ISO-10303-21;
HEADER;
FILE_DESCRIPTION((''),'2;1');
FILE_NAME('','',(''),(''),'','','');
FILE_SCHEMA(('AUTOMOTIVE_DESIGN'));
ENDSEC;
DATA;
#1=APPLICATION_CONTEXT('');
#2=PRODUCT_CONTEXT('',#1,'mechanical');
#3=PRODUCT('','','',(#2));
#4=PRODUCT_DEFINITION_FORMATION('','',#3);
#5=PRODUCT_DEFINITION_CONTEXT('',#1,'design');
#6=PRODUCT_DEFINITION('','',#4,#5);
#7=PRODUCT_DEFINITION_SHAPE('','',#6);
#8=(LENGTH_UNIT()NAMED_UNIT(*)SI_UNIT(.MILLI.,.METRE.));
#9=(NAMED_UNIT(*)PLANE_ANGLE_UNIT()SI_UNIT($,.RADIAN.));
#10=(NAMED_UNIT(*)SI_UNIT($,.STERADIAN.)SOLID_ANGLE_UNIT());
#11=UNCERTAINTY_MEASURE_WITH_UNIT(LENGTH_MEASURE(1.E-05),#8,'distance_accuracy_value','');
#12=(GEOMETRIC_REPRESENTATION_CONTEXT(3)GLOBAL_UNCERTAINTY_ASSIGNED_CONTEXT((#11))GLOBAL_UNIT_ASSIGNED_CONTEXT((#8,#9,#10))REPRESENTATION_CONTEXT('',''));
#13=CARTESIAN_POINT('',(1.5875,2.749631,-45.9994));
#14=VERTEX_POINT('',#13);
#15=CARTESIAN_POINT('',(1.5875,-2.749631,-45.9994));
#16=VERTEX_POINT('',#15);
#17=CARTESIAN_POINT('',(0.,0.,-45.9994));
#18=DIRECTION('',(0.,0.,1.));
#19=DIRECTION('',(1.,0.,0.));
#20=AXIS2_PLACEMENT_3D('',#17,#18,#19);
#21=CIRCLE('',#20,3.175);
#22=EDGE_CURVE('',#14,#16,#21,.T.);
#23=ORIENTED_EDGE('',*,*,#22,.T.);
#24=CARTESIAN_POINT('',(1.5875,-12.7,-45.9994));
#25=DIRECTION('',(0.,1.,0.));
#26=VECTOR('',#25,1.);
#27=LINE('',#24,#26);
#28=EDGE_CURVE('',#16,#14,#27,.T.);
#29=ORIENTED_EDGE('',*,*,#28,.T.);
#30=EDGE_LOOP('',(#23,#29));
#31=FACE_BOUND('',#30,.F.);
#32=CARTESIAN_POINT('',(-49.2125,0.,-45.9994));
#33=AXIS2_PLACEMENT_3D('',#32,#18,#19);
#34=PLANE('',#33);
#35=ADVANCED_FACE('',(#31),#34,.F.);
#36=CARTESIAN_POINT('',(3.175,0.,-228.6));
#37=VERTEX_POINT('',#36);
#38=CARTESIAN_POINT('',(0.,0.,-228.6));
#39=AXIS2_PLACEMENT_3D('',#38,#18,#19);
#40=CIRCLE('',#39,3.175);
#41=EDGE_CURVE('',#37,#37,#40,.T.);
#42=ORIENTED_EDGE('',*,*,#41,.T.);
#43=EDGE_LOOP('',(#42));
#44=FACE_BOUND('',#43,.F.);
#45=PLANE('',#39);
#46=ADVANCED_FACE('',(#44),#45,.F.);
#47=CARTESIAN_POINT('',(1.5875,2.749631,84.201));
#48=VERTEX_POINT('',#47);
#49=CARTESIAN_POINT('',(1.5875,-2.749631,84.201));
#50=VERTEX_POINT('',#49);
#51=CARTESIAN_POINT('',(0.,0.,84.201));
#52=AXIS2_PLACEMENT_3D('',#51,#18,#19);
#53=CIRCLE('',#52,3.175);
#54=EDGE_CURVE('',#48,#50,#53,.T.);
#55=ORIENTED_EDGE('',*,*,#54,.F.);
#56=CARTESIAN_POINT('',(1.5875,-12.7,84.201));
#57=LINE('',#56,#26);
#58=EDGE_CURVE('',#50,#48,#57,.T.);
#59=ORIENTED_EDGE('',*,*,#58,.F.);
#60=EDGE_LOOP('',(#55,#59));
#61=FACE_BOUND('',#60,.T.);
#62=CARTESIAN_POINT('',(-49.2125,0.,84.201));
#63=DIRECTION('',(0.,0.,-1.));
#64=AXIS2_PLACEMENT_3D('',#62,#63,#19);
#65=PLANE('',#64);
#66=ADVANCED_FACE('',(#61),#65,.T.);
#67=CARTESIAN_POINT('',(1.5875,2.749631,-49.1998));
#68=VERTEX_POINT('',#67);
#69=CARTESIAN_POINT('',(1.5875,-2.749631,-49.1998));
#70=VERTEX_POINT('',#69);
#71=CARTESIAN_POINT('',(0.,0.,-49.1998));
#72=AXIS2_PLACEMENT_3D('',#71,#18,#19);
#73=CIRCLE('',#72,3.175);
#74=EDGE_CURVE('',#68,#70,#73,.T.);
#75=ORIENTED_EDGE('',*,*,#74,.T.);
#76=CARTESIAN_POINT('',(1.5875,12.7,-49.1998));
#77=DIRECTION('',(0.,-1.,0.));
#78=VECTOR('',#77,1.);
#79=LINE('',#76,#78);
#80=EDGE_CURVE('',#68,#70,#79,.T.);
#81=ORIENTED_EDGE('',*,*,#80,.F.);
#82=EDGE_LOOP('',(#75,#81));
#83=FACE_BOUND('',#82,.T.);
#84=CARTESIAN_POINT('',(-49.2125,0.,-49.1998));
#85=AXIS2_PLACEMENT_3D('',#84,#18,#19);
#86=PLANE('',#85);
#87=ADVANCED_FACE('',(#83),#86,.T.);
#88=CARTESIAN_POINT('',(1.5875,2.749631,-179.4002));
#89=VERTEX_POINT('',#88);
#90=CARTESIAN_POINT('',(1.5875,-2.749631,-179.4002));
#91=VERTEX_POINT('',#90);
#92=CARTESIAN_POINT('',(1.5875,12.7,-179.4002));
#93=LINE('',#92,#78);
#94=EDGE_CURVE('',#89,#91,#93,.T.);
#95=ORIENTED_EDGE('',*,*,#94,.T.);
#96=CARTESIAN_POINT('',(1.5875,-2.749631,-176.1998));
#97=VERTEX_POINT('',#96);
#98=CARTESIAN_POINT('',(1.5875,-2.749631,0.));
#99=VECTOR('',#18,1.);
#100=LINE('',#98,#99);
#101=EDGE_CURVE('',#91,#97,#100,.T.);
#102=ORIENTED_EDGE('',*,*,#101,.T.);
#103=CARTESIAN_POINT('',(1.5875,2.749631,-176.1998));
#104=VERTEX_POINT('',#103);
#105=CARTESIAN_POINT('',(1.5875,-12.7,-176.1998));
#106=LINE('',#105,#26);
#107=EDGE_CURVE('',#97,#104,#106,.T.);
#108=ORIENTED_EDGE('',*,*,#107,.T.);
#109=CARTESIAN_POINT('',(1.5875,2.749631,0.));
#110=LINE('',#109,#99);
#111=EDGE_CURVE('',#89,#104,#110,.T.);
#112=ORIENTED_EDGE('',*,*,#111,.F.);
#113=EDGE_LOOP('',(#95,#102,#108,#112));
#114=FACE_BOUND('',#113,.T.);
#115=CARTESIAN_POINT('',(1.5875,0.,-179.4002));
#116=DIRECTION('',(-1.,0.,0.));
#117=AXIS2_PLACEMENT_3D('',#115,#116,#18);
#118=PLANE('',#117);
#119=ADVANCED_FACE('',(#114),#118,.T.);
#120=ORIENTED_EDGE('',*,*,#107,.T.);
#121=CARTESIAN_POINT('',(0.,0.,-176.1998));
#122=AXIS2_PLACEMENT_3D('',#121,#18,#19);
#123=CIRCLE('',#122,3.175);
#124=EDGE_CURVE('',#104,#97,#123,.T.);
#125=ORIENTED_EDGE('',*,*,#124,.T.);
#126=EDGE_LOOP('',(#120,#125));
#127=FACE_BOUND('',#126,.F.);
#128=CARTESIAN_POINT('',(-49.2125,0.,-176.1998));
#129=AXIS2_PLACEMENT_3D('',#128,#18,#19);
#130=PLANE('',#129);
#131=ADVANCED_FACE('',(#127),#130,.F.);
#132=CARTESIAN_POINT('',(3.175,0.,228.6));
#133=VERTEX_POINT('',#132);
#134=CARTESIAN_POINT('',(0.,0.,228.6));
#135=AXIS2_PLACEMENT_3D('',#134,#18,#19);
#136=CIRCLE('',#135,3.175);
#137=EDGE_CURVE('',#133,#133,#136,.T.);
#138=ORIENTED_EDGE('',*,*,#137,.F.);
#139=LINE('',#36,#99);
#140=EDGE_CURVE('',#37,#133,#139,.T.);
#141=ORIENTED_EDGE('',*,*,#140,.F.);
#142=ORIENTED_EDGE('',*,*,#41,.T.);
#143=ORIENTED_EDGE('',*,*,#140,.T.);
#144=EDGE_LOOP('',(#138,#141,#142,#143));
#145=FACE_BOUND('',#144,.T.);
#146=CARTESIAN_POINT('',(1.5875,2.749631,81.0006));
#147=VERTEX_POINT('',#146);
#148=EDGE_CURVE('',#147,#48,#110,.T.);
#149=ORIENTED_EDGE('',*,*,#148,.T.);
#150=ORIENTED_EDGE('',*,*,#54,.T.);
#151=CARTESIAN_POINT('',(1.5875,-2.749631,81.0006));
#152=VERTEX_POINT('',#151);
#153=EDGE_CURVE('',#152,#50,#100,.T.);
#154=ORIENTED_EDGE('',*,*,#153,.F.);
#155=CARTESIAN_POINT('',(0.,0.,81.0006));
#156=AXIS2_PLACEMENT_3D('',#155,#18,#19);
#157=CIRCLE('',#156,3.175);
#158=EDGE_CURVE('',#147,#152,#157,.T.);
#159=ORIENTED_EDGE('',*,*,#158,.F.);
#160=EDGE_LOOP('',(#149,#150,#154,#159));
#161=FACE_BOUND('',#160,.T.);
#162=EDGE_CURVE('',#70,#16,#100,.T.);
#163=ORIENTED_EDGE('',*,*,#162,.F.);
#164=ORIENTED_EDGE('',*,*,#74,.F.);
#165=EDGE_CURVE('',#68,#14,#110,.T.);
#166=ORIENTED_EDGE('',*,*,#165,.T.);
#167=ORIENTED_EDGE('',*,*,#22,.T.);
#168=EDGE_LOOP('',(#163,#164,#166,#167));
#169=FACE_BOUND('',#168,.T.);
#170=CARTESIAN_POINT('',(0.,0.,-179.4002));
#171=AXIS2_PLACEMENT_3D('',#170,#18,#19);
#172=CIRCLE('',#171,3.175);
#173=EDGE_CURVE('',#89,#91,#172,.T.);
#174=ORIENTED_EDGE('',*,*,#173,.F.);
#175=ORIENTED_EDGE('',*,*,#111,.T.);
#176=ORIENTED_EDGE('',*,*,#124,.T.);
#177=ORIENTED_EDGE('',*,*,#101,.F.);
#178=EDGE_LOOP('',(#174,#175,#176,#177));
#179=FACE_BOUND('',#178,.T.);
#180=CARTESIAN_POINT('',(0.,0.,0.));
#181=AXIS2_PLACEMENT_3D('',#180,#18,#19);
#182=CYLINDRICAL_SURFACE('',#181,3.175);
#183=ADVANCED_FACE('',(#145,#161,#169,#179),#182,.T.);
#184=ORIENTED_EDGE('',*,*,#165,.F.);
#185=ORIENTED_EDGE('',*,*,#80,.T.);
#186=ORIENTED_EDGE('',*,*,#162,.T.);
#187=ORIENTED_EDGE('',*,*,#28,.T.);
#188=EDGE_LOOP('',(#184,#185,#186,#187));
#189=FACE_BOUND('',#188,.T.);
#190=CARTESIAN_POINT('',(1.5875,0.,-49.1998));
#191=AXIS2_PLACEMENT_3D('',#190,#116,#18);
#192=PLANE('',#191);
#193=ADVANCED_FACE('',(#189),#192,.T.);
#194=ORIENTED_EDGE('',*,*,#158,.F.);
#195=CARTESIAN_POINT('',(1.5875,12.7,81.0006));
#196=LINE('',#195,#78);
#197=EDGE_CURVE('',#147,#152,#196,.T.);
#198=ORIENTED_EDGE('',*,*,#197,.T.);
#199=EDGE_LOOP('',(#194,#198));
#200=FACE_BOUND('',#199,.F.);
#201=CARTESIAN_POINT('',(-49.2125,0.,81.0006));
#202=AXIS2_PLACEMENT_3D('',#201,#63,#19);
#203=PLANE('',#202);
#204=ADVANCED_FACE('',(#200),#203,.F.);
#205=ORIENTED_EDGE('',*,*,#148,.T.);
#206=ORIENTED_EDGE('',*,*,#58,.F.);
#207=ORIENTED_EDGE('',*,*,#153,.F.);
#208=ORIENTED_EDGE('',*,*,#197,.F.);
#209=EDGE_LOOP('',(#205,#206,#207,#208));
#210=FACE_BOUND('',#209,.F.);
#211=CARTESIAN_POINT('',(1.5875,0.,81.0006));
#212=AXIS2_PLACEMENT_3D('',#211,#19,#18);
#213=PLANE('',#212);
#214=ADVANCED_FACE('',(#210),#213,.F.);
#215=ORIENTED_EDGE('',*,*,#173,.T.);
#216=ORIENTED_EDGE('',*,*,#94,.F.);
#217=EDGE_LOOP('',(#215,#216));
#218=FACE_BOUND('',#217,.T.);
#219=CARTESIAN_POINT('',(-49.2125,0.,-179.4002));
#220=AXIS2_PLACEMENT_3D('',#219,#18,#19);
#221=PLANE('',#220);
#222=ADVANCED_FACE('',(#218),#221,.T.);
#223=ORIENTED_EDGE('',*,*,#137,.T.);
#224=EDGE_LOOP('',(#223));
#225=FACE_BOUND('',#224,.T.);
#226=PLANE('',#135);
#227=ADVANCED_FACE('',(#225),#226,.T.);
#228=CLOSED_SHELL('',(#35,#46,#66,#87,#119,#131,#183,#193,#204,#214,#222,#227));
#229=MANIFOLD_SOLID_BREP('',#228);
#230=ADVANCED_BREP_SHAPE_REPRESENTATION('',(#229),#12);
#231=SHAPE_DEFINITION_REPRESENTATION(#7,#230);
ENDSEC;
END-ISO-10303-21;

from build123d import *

# Parameters (mm, degrees)
F0_R     = 3.175
F1_DEPTH = 228.6
F2_W     = 50.8
F2_H     = 3.2004
F3_DEPTH = 12.7


with BuildPart() as f1:
    # F0 (on Top) → F1 (new body, symmetric)
    with BuildSketch(Plane.XY):
        Circle(F0_R)
    extrude(amount=F1_DEPTH, both=True)

    # F2 (on Front) → F3 (cut, symmetric)
    with BuildSketch(Plane.XZ):
        with Locations((-23.8125, -177.8)):
            Rectangle(F2_W, F2_H)
        with Locations((-23.8125, -47.5996)):
            Rectangle(F2_W, F2_H)
        with Locations((-23.8125, 82.6008)):
            Rectangle(F2_W, F2_H)
    extrude(amount=F3_DEPTH, both=True, mode=Mode.SUBTRACT)


solid = f1.part
